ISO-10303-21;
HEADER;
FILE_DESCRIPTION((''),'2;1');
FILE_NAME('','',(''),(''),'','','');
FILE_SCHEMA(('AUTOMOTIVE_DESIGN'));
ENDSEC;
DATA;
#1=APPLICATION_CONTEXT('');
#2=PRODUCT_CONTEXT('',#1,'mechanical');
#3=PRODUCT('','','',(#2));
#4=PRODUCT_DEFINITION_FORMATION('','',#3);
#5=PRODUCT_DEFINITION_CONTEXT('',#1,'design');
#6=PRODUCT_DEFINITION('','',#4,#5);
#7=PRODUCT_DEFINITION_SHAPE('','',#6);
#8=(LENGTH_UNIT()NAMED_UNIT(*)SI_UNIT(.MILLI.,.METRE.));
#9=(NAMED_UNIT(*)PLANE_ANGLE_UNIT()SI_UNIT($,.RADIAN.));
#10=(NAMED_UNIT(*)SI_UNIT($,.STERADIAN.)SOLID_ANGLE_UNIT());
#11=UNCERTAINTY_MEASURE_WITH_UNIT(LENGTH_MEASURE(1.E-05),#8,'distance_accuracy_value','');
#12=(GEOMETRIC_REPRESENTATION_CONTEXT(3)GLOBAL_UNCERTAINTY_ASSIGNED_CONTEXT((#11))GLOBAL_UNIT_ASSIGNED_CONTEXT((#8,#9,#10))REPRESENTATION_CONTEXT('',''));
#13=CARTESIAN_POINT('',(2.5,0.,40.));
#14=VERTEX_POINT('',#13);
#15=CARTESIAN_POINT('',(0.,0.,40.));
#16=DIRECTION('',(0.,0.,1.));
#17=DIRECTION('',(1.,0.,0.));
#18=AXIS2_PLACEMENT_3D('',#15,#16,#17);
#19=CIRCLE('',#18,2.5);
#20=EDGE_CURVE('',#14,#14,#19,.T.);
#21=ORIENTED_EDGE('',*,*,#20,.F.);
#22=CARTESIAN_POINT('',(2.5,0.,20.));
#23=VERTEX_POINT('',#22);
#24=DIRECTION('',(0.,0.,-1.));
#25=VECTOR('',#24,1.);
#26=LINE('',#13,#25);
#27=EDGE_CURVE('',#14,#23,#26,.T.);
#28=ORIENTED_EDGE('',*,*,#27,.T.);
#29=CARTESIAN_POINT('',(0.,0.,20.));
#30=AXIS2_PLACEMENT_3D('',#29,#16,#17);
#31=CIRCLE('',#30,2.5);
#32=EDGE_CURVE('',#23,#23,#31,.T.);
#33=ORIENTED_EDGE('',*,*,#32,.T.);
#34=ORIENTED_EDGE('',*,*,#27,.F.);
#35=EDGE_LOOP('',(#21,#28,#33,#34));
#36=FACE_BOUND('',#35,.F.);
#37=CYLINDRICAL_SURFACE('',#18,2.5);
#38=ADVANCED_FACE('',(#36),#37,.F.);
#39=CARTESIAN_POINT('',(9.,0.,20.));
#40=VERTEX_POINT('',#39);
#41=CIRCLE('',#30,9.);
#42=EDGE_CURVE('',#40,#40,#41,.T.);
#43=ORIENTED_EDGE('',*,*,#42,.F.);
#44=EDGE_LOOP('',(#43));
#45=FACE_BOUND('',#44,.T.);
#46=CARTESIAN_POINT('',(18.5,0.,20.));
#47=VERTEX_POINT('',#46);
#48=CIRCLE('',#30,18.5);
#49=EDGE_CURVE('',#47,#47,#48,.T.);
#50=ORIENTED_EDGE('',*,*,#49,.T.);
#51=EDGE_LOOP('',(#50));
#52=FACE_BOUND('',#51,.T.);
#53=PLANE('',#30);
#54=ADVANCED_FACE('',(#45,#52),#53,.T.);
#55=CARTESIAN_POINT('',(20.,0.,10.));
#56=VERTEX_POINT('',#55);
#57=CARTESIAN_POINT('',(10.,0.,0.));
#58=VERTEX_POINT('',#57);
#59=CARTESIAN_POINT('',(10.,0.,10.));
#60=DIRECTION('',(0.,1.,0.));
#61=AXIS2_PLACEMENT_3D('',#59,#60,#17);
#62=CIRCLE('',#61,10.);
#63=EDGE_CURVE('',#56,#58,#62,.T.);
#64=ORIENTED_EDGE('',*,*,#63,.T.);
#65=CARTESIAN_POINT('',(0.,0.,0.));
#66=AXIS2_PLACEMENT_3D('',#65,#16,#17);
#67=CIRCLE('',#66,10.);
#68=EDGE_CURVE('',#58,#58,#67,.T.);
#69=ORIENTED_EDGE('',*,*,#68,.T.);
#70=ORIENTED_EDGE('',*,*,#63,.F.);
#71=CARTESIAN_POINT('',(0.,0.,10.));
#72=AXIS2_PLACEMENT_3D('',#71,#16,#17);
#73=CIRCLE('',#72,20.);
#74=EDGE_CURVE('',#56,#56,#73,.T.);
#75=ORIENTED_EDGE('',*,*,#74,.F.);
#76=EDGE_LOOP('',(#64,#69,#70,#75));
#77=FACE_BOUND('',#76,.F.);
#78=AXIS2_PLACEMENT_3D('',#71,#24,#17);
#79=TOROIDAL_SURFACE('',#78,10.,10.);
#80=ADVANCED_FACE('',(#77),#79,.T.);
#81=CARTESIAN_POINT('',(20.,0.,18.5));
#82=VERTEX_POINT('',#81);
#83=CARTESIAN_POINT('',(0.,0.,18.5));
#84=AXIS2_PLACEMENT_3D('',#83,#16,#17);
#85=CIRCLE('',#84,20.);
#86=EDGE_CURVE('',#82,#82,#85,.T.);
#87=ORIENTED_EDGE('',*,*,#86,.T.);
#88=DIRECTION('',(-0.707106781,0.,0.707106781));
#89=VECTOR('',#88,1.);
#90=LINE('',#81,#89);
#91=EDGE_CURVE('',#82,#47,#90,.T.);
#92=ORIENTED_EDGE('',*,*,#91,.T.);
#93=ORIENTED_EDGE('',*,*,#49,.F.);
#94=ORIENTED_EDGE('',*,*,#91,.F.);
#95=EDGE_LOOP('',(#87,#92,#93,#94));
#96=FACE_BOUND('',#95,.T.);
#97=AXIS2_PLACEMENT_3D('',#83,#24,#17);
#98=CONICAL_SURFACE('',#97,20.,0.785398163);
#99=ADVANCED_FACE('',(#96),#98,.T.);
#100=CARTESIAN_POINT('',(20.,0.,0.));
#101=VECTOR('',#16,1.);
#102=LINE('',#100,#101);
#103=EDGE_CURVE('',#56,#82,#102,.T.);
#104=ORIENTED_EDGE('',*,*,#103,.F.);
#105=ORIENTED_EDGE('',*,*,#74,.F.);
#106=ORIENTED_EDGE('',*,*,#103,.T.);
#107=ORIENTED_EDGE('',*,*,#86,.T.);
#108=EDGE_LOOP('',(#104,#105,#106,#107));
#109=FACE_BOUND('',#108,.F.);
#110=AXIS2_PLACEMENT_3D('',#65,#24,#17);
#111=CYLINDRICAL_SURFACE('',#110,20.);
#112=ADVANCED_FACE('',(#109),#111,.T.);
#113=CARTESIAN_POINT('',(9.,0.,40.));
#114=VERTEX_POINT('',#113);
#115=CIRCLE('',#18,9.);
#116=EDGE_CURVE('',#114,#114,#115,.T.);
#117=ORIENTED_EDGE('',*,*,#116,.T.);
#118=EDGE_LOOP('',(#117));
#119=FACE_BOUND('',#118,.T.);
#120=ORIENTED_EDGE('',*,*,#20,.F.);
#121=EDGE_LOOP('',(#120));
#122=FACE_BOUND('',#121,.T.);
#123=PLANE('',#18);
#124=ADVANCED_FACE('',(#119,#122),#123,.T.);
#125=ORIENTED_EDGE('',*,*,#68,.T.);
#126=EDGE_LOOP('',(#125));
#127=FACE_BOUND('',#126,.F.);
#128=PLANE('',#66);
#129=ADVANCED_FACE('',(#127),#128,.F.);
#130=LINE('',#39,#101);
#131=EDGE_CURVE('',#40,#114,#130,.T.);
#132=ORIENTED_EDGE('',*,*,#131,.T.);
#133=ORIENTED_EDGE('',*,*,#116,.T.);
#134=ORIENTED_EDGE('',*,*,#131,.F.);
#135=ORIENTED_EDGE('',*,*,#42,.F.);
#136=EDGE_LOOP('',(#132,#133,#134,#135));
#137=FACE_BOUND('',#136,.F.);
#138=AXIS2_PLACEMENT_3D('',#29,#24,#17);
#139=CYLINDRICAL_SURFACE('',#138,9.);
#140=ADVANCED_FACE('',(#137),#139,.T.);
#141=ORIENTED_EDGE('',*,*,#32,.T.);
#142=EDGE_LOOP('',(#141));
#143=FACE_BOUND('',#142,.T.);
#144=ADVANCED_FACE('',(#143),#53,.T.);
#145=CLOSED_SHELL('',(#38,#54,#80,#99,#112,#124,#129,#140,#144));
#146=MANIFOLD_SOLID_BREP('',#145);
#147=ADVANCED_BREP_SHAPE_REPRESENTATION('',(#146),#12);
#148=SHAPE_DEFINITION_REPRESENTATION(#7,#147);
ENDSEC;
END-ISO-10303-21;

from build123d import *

# Parameters (mm, degrees)
F0_R     = 20
F1_DEPTH = 20
F2_R     = 10
F3_R     = 9
F4_DEPTH = 20
F5_R     = 2.5
F6_DEPTH = 20
F7_SIZE  = 1.5


with BuildPart() as f1:
    # F0 (on Top) → F1 (new body)
    with BuildSketch(Plane.XY):
        Circle(F0_R)
    extrude(amount=F1_DEPTH)

    # F2
    f2_edges = [f1.edges().sort_by_distance(p)[0] for p in [
        (-20, 0, 0),
    ]]
    fillet(f2_edges, radius=F2_R)

    # F3 (on face) → F4 (join)
    with BuildSketch(Plane.XY.offset(20)):
        Circle(F3_R)
    extrude(amount=F4_DEPTH)

    # F5 (on face) → F6 (cut)
    with BuildSketch(Plane.XY.offset(40)):
        Circle(F5_R)
    extrude(amount=-F6_DEPTH, mode=Mode.SUBTRACT)

    # F7
    f7_edges = [f1.edges().sort_by_distance(p)[0] for p in [
        (-20, 0, 20),
    ]]
    chamfer(f7_edges, length=F7_SIZE)


solid = f1.part
